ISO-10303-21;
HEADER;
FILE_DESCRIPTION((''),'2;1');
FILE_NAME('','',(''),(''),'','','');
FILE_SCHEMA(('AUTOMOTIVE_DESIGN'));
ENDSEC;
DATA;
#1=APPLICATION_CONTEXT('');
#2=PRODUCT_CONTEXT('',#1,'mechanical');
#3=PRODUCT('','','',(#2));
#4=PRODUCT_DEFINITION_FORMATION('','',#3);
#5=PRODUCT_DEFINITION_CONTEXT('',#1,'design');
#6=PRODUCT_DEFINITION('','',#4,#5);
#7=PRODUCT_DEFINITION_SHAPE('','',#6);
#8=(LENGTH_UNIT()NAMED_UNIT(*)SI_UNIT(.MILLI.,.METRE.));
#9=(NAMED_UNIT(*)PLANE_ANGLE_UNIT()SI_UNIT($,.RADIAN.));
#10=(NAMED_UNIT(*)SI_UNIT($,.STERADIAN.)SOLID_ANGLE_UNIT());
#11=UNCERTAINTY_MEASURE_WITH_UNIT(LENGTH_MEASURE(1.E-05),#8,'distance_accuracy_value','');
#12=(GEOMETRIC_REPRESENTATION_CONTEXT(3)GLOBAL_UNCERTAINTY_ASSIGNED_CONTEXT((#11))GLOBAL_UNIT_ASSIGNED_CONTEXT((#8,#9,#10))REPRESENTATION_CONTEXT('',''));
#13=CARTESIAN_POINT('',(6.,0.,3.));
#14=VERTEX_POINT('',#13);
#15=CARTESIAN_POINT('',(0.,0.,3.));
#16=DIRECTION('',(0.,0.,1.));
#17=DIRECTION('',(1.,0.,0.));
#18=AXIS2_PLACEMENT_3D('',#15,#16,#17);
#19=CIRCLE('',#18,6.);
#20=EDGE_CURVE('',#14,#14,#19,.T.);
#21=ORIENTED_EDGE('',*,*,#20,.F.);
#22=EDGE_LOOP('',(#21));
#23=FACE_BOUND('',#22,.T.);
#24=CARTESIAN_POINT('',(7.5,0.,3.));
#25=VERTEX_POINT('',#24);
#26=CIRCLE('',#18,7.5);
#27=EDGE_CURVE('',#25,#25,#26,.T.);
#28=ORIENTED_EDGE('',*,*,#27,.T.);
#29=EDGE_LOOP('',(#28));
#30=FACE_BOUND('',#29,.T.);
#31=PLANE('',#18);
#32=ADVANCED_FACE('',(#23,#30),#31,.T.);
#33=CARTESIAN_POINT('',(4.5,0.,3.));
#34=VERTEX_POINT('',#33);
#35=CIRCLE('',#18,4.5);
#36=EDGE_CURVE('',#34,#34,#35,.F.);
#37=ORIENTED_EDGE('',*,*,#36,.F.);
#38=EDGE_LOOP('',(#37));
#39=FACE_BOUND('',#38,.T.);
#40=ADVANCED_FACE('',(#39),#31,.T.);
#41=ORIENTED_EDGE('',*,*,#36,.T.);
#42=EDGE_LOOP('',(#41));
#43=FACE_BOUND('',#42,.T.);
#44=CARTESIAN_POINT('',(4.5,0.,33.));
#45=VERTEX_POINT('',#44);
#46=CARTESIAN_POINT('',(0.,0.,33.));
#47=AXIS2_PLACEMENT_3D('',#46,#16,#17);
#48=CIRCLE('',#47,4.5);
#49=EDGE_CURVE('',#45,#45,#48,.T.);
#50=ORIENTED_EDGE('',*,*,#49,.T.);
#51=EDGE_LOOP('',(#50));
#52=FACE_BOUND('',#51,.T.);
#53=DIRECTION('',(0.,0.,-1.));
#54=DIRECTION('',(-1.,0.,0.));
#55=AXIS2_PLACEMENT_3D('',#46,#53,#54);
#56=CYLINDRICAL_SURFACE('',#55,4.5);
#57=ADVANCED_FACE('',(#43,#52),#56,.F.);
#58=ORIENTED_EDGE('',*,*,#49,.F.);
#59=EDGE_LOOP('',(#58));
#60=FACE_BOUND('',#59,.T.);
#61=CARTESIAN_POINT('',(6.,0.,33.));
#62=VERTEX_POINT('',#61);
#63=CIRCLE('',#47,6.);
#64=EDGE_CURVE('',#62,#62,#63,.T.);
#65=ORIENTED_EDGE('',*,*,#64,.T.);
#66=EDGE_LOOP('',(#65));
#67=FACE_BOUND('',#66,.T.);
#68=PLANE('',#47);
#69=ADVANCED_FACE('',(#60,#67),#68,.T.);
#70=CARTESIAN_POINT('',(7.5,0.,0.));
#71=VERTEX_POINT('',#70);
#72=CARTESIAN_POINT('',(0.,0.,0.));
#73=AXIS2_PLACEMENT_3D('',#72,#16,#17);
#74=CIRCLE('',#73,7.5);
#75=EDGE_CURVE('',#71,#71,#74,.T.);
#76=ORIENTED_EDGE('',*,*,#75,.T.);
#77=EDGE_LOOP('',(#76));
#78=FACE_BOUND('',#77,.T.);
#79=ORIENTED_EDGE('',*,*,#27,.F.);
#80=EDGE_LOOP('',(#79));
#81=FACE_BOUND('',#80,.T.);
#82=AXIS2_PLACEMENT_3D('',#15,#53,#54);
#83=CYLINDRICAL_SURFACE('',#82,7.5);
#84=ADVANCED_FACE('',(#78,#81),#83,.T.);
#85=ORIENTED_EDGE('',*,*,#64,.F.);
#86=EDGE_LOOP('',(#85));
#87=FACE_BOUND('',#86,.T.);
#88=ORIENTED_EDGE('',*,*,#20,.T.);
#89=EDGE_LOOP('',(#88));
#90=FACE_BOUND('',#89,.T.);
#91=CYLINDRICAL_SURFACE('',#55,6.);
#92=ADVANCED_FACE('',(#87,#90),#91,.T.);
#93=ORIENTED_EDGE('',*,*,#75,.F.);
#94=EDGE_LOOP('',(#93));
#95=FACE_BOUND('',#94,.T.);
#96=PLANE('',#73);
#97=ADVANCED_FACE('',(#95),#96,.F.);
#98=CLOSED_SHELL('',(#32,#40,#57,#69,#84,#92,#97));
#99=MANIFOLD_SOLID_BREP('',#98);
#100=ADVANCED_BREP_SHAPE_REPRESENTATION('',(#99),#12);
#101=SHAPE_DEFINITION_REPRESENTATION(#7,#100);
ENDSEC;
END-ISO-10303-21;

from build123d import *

# Parameters (mm, degrees)
ESBO_O1_R                = 7.5
RESSALTO_EXTRUS_O1_DEPTH = 3
ESBO_O2_R                = 6
ESBO_O2_R_2              = 4.5
RESSALTO_EXTRUS_O2_DEPTH = 30


with BuildPart() as part:
    # Esboço1 → Ressalto-extrusão1 (new body)
    with BuildSketch(Plane.XY):
        Circle(ESBO_O1_R)
    extrude(amount=RESSALTO_EXTRUS_O1_DEPTH)

    # Esboço2 → Ressalto-extrusão2 (add)
    with BuildSketch(Plane.XY.offset(3)):
        Circle(ESBO_O2_R)
        Circle(ESBO_O2_R_2, mode=Mode.SUBTRACT)
    extrude(amount=RESSALTO_EXTRUS_O2_DEPTH)


solid = part.part
